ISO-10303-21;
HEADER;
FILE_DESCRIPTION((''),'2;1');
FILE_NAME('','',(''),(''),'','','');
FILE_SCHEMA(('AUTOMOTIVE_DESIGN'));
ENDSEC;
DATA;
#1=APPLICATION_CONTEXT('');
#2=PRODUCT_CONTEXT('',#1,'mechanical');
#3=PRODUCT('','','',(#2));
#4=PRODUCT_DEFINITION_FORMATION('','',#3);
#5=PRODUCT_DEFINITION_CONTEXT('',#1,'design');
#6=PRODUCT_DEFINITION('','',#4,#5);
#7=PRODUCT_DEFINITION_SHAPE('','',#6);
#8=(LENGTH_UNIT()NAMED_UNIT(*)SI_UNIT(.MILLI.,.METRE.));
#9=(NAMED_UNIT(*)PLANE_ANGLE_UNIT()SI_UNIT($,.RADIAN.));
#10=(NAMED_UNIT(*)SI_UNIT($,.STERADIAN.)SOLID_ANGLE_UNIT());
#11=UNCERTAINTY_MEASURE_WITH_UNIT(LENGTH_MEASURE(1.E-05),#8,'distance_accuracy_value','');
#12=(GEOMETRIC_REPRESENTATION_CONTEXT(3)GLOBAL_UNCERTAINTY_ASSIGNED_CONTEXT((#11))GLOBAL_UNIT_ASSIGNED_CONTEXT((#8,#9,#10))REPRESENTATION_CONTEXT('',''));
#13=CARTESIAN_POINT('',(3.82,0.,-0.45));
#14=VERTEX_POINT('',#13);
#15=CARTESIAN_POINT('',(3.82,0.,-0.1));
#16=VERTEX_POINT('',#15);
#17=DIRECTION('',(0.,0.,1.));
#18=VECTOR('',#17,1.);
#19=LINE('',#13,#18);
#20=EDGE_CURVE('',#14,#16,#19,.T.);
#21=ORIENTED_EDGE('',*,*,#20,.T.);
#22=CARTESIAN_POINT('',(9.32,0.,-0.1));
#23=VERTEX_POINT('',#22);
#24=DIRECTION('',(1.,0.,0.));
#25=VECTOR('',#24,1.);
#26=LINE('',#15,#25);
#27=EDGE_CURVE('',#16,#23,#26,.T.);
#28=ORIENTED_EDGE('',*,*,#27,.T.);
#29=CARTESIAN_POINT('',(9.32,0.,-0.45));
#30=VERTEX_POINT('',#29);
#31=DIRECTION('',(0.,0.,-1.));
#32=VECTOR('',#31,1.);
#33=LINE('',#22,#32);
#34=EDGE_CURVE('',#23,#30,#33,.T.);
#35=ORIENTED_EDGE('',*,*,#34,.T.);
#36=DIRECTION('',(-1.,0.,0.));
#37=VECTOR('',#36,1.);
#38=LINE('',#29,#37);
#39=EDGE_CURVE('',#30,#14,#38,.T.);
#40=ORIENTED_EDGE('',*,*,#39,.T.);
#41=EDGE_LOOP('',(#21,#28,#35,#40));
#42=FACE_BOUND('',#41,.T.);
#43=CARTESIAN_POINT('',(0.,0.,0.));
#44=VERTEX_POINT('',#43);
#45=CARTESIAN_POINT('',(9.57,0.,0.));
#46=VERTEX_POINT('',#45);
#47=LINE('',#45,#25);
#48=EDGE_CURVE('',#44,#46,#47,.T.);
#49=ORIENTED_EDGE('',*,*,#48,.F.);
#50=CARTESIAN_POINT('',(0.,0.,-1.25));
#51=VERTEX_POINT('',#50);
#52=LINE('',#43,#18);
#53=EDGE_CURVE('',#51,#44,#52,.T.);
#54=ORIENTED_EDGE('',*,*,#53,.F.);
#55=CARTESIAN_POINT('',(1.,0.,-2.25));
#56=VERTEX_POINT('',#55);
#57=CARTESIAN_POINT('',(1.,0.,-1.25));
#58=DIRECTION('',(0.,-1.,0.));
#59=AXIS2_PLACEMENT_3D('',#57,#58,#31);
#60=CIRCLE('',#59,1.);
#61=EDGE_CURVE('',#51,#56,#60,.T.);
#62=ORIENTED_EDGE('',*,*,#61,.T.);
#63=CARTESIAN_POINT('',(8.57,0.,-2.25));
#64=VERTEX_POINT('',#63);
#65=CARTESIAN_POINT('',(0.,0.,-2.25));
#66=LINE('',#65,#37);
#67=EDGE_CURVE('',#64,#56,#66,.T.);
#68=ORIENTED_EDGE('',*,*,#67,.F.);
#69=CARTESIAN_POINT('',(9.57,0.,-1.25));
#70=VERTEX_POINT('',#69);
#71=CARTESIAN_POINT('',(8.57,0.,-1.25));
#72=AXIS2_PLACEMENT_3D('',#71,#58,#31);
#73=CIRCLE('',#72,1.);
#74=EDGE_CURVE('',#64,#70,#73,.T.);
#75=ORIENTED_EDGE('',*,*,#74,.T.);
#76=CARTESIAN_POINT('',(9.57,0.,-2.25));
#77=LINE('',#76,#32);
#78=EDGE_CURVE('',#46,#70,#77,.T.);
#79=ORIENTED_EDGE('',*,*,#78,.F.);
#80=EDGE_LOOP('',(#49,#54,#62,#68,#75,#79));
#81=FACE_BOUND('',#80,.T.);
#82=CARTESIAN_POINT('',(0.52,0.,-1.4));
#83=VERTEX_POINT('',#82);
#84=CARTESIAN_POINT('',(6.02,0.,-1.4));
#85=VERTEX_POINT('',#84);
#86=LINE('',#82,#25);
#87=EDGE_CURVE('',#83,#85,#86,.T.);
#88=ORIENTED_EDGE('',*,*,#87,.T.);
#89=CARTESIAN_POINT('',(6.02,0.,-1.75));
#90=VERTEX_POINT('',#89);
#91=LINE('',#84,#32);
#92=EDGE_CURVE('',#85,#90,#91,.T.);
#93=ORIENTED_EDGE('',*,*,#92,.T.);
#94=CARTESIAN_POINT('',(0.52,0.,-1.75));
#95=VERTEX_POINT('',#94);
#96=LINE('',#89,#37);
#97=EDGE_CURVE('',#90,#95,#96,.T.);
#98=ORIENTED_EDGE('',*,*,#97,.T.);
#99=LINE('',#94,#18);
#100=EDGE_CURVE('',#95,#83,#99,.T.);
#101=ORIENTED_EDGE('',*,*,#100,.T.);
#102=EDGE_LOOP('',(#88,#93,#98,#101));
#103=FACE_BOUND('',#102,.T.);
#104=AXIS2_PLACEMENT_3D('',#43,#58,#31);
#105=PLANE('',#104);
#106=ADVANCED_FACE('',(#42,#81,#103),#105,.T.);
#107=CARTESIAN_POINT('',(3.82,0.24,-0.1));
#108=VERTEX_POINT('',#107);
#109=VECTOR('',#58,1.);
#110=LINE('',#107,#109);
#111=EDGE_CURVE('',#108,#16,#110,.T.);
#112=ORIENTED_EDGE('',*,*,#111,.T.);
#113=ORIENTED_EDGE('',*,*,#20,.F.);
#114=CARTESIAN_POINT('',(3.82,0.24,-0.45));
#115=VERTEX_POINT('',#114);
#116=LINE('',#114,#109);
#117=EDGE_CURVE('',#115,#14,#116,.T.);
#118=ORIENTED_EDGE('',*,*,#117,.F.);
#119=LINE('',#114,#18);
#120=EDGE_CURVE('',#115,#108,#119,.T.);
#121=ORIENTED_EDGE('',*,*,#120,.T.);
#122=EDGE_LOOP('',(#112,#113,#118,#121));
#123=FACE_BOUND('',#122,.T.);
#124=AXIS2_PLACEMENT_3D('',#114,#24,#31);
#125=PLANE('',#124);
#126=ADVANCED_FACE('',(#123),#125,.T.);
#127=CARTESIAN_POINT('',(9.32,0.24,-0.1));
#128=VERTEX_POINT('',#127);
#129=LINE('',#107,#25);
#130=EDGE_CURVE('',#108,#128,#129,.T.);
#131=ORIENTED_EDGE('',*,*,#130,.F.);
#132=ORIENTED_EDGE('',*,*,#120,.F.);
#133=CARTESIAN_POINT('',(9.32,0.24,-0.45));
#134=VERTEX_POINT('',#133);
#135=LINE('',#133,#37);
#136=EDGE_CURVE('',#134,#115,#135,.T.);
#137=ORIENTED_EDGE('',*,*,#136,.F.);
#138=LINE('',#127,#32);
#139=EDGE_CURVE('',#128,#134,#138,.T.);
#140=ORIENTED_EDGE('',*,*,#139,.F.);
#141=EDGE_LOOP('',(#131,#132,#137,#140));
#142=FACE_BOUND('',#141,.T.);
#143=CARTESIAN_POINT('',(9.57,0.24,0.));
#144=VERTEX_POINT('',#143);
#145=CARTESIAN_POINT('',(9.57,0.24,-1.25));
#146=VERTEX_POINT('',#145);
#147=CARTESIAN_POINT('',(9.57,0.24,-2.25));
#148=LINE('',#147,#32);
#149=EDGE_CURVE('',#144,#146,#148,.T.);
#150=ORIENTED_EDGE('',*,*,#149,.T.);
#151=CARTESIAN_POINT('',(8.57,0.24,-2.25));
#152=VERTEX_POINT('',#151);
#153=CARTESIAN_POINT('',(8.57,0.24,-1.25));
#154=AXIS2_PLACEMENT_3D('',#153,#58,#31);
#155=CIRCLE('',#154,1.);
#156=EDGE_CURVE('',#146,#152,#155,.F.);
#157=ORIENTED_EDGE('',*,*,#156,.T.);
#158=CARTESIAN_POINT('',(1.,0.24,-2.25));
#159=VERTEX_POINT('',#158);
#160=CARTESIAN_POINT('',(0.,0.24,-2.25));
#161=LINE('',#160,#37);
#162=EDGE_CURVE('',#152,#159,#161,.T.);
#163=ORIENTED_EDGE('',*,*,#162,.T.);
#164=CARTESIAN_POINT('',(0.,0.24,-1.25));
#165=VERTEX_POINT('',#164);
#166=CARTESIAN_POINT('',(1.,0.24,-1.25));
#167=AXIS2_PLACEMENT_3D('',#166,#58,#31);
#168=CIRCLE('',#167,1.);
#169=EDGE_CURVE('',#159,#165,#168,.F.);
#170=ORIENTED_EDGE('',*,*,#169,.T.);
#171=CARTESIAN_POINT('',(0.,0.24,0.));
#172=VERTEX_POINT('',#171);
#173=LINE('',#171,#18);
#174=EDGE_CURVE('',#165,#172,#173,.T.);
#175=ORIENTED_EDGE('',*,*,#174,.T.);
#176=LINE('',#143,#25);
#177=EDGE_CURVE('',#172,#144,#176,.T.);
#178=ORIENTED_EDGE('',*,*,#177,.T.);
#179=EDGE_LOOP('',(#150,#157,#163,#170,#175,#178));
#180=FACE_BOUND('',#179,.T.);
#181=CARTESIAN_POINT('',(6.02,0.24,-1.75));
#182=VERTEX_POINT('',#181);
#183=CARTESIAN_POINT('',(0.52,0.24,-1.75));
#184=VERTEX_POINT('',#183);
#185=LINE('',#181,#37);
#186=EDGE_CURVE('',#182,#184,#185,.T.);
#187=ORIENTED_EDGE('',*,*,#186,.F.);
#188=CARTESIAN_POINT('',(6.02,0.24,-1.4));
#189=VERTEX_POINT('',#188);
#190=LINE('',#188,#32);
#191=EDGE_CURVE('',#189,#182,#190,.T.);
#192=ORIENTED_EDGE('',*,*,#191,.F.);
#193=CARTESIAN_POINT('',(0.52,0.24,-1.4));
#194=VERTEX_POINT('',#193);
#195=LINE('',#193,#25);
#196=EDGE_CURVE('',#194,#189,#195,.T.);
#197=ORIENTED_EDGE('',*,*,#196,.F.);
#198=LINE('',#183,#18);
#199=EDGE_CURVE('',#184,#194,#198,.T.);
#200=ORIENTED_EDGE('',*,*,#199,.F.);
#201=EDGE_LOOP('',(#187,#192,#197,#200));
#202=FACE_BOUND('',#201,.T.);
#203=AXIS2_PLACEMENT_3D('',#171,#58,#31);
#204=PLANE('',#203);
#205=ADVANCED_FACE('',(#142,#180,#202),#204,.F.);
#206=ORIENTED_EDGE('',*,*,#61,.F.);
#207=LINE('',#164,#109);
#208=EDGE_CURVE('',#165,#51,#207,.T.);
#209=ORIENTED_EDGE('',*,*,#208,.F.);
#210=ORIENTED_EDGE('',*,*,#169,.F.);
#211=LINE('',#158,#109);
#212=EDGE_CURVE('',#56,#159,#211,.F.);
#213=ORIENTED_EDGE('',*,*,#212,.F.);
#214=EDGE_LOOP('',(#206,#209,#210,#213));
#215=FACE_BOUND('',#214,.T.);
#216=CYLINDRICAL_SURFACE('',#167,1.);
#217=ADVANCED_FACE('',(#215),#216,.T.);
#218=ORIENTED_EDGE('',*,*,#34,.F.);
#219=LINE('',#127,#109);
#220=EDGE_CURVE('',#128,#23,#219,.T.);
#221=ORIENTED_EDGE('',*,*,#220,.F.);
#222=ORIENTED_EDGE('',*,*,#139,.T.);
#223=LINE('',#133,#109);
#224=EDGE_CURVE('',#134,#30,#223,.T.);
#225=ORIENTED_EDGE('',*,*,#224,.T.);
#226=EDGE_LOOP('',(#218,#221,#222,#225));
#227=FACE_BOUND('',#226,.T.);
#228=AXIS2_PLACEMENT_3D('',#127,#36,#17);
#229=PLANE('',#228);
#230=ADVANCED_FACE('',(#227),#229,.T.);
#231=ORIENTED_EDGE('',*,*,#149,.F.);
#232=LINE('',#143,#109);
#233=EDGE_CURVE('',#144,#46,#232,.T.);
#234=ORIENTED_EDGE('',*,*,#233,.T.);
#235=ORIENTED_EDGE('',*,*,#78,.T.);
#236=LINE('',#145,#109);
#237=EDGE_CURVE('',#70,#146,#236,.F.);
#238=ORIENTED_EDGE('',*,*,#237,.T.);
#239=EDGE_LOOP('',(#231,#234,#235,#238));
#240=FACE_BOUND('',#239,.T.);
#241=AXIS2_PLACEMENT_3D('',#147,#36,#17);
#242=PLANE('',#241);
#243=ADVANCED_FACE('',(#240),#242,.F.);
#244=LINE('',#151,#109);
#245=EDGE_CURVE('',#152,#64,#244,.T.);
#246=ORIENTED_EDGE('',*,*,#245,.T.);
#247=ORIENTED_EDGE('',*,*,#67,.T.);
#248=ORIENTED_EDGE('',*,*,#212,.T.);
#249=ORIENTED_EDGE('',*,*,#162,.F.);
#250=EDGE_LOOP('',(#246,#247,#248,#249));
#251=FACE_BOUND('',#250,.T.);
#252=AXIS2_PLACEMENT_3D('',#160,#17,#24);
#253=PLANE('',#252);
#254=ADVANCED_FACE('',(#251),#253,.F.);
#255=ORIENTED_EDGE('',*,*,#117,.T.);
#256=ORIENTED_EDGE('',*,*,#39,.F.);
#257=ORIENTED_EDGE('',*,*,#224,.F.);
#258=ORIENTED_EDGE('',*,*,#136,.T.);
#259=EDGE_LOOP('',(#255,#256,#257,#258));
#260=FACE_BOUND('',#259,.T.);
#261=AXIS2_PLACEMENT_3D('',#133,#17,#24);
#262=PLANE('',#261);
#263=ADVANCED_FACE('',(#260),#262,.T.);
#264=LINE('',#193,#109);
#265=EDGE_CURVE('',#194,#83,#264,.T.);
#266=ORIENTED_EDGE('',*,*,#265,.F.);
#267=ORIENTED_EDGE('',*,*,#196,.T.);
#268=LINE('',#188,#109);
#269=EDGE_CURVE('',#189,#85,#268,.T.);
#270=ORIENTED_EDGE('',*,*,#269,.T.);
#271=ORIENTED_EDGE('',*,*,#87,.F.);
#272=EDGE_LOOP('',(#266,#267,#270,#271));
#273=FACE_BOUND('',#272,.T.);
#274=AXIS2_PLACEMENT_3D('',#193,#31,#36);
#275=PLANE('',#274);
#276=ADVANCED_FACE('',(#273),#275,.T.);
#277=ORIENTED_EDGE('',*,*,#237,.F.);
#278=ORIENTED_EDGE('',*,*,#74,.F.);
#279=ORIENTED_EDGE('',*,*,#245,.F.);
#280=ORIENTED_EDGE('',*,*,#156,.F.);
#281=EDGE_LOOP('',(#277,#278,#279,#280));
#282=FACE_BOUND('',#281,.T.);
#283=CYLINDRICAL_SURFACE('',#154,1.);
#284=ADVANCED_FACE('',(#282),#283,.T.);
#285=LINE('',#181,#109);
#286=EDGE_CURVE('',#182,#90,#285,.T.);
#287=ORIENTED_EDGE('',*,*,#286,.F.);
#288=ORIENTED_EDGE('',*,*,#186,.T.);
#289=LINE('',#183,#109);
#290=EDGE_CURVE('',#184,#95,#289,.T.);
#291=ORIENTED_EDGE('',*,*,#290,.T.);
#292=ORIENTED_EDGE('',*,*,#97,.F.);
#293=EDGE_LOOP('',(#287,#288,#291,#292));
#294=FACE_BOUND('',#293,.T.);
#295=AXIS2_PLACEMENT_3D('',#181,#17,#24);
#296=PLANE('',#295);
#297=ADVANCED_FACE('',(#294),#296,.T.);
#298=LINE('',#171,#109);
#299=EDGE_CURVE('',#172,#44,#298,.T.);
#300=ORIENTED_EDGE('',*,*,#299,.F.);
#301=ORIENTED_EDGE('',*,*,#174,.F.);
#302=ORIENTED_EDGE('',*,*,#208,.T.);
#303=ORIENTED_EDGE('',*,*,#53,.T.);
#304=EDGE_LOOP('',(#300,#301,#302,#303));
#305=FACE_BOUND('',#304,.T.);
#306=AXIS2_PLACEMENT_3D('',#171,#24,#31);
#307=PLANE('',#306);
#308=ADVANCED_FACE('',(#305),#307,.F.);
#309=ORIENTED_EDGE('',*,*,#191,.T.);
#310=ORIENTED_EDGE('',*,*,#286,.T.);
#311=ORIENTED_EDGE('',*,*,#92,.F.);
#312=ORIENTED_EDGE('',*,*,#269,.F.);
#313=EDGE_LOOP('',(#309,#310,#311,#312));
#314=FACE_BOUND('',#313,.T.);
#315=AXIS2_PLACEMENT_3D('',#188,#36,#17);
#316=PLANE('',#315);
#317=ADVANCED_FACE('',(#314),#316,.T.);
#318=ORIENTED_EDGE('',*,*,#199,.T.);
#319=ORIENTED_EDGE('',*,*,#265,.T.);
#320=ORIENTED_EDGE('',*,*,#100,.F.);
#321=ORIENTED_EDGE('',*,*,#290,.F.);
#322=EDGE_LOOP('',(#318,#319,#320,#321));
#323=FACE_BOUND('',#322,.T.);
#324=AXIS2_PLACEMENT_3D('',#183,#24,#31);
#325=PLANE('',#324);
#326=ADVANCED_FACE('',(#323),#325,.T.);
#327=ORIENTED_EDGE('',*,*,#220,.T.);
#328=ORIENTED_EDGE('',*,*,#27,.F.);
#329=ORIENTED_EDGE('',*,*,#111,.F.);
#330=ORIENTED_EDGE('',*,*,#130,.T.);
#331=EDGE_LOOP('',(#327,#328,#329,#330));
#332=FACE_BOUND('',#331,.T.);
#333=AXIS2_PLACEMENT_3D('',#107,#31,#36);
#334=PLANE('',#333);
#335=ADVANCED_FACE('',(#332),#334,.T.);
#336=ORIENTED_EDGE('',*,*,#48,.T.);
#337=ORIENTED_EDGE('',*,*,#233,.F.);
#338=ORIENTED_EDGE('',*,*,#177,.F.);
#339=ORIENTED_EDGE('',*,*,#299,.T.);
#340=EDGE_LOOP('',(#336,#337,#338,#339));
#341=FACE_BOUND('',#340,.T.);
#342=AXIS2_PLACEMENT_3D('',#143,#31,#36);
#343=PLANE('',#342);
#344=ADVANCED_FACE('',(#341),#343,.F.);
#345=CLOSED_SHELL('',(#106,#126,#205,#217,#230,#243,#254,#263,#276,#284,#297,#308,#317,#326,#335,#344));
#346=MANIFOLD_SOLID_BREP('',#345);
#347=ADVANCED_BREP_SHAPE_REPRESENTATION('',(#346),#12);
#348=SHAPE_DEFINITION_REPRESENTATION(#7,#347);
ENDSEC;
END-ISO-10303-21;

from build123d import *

# Parameters (mm, degrees)
SKETCH1_W           = 9.57
SKETCH1_H           = 2.25
SKETCH1_W_2         = 5.5
SKETCH1_H_2         = 0.35
BOSS_EXTRUDE1_DEPTH = 0.24
FILLET1_R           = 1


with BuildPart() as part:
    # Sketch1 → Boss-Extrude1 (new body)
    with BuildSketch(Plane(origin=(0, 0, 0), x_dir=(1, 0, 0), z_dir=(0, 1, 0))):
        with Locations((4.785, 1.125)):
            Rectangle(SKETCH1_W, SKETCH1_H)
        with Locations((3.27, 1.575)):
            Rectangle(SKETCH1_W_2, SKETCH1_H_2, mode=Mode.SUBTRACT)
        with Locations((6.57, 0.275)):
            Rectangle(SKETCH1_W_2, SKETCH1_H_2, mode=Mode.SUBTRACT)
    extrude(amount=BOSS_EXTRUDE1_DEPTH)

    # Fillet1
    fillet1_edges = [part.edges().sort_by_distance(p)[0] for p in [
        (0, 0.12, -2.25),
        (9.57, 0.12, -2.25),
    ]]
    fillet(fillet1_edges, radius=FILLET1_R)


solid = part.part
